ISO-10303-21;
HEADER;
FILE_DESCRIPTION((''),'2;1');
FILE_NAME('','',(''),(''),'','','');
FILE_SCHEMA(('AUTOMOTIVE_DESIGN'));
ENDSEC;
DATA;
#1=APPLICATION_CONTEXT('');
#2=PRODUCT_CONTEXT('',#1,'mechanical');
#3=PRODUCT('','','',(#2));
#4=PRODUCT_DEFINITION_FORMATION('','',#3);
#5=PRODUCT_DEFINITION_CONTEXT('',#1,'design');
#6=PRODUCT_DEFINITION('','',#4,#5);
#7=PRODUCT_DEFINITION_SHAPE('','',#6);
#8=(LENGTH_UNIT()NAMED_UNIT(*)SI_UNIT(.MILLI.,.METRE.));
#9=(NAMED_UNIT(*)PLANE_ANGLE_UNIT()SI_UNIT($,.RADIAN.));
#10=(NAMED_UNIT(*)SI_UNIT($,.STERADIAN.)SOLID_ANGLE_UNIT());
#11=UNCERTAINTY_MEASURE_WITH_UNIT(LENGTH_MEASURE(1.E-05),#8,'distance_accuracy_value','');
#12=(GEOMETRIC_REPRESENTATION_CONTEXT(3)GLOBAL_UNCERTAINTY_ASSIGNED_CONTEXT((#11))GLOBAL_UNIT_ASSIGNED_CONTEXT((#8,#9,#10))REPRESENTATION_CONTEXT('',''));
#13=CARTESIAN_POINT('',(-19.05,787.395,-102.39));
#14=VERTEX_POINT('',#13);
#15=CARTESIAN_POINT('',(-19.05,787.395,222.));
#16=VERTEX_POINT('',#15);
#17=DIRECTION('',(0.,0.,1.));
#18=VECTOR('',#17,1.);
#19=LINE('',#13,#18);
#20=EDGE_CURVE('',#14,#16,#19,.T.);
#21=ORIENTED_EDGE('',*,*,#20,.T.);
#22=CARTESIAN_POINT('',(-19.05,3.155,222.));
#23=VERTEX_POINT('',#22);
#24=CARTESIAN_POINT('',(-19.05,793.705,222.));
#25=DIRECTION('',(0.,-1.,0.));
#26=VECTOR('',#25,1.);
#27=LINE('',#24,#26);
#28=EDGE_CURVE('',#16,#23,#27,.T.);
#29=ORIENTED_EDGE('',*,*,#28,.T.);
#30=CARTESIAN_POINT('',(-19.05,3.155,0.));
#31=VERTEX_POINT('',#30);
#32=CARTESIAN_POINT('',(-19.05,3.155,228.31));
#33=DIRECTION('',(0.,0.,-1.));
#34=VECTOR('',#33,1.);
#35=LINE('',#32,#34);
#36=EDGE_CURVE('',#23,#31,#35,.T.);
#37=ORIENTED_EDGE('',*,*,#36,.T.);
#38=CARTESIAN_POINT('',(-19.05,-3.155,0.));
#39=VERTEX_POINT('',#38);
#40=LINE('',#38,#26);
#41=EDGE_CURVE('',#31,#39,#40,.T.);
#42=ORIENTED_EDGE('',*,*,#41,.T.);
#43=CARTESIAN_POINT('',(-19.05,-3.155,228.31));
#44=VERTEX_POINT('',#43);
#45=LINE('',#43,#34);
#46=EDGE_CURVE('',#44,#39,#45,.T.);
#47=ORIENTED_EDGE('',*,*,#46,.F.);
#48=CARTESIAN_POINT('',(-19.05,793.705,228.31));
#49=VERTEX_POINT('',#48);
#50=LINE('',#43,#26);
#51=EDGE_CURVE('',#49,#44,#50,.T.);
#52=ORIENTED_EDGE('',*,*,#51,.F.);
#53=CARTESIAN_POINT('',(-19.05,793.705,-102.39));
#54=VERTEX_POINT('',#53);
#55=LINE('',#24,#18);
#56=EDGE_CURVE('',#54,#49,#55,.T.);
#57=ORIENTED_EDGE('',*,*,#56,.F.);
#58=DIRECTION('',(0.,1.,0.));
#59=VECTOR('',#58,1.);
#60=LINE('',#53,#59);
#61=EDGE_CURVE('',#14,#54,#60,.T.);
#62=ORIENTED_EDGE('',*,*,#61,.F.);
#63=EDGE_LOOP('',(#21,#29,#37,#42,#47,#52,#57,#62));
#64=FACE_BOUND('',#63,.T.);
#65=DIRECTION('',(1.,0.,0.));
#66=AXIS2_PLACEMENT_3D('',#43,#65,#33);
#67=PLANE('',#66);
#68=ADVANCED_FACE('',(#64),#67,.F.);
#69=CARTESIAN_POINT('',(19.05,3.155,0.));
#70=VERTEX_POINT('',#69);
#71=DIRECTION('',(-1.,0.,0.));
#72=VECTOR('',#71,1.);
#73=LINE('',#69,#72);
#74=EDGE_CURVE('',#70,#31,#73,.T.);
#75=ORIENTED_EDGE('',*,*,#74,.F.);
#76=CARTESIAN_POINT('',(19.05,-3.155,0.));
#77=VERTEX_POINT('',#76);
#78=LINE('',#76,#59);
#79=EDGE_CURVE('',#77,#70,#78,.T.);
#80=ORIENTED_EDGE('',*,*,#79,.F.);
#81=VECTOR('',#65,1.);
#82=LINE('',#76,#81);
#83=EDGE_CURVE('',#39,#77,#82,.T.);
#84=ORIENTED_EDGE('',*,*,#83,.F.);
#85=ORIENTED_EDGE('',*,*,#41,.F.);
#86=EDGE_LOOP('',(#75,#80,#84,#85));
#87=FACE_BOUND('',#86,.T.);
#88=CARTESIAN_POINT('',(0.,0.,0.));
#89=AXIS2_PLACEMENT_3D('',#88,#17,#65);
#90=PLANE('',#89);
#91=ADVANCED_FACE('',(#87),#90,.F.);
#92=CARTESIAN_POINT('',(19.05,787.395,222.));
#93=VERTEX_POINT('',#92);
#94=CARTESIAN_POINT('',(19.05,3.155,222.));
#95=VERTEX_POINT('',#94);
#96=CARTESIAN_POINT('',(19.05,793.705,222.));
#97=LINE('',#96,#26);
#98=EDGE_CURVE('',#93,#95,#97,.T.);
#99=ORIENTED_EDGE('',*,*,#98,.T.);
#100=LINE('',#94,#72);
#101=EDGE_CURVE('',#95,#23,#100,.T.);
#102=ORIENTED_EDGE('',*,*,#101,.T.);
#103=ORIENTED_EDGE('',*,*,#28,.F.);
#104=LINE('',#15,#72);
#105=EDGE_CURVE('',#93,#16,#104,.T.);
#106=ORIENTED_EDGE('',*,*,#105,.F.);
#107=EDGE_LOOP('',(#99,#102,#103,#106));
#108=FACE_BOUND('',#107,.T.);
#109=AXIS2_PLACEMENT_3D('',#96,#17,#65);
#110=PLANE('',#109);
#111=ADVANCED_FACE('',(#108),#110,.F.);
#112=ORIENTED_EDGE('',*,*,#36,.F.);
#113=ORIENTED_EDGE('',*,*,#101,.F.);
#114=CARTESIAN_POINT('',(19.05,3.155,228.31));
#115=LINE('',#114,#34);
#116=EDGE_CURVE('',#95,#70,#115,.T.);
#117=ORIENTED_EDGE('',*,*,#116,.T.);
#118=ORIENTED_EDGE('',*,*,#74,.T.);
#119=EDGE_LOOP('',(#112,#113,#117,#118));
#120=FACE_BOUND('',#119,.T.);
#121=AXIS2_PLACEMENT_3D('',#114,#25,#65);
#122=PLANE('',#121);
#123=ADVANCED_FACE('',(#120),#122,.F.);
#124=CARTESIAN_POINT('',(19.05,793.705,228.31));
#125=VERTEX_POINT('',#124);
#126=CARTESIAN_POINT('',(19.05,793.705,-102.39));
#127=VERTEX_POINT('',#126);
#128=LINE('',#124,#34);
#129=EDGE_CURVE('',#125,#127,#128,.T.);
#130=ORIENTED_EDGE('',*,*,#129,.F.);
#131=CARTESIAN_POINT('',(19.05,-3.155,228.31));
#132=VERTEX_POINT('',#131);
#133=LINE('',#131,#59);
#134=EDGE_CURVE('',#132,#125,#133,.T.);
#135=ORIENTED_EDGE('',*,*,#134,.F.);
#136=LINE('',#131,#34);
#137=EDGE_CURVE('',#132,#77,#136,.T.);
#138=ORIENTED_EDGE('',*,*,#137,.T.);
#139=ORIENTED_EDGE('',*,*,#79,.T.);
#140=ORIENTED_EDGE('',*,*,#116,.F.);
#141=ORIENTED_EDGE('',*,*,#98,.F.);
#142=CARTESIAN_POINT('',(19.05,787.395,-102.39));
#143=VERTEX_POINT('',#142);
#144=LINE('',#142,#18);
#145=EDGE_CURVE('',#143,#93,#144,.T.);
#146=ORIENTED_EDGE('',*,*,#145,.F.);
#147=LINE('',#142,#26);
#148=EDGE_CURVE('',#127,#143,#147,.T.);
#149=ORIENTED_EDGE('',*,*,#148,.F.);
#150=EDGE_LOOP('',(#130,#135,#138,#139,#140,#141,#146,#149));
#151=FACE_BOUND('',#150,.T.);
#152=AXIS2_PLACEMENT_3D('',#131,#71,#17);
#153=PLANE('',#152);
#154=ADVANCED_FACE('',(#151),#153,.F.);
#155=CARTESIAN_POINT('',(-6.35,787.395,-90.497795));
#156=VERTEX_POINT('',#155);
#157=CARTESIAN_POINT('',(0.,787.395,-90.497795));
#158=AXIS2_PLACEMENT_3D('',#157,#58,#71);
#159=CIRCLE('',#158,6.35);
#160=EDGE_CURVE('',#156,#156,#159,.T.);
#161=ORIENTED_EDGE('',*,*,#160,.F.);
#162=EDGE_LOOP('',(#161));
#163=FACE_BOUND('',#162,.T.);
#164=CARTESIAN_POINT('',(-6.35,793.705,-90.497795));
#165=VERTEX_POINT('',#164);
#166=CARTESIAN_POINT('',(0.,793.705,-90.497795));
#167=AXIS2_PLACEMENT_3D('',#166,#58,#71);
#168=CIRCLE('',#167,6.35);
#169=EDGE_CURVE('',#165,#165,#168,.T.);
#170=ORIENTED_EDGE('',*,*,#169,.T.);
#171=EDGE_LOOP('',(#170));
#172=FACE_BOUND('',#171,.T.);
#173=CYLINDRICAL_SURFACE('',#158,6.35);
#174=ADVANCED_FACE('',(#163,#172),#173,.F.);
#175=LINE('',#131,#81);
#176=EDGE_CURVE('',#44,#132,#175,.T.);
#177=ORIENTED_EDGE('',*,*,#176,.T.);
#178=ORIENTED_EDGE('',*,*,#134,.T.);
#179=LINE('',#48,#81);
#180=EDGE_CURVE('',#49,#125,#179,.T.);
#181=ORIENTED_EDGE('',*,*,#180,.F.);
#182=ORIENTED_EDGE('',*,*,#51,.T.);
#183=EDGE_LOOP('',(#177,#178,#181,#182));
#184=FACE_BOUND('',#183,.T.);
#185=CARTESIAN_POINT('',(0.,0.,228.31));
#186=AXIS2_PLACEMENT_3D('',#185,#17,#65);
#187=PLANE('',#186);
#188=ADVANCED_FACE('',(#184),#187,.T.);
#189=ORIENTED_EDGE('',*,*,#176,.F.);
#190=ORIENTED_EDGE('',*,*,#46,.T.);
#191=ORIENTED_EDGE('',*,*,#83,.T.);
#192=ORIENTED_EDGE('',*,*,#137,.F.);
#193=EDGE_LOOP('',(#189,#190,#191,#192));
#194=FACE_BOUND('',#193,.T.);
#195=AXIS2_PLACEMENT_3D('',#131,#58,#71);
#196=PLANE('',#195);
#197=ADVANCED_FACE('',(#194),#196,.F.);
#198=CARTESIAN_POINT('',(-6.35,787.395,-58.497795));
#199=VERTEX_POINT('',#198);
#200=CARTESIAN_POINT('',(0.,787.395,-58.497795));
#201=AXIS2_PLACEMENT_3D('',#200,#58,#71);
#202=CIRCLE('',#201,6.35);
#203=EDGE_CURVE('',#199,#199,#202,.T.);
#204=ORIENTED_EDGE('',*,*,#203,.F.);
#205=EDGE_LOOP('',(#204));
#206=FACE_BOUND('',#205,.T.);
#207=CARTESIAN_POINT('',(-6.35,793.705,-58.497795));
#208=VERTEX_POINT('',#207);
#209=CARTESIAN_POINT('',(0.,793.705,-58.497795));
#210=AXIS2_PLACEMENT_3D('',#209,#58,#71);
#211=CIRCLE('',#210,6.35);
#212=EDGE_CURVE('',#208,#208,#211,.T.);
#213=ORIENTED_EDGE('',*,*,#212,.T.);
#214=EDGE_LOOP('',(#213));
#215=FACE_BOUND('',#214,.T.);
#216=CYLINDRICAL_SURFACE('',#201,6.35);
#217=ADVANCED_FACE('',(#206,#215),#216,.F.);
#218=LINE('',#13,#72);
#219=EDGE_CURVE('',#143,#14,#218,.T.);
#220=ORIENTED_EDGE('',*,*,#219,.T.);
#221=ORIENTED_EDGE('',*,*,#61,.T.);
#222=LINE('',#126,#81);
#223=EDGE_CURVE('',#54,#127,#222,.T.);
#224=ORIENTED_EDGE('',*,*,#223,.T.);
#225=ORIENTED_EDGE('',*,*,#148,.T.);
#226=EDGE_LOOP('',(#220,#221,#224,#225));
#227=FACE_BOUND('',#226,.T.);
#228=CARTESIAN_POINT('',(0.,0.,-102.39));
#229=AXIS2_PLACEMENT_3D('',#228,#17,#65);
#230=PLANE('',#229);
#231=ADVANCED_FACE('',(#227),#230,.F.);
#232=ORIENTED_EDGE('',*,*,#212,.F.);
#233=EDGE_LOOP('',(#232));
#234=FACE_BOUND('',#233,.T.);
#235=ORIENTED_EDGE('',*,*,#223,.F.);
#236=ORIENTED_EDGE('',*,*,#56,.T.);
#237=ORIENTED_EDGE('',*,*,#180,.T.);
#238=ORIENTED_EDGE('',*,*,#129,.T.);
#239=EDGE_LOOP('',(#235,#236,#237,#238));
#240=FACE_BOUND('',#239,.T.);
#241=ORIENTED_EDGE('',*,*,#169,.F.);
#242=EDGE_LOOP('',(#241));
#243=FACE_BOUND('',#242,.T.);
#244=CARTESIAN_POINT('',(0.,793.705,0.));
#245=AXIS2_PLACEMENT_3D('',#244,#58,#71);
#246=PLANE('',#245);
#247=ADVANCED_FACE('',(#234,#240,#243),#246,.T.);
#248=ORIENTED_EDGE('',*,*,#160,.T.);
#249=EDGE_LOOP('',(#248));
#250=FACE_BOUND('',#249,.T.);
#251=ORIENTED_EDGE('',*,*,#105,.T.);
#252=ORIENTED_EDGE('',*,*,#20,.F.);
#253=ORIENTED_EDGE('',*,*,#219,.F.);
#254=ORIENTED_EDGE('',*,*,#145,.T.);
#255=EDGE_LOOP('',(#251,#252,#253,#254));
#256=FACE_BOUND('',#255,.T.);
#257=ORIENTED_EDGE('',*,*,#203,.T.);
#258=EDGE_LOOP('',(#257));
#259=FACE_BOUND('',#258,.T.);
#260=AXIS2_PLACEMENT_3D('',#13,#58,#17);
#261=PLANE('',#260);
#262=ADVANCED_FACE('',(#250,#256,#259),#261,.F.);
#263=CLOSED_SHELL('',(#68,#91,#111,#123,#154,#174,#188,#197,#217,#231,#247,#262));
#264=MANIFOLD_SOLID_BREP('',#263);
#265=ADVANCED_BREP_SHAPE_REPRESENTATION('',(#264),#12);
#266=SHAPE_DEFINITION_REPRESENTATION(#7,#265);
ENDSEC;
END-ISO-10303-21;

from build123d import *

# Parameters (mm, degrees)
CROQUIS1_W              = 38.1
CROQUIS1_H              = 6.31
SALIENTE_EXTRUIR1_DEPTH = 228.31
CROQUIS2_W              = 38.1
CROQUIS2_H              = 6.31
SALIENTE_EXTRUIR2_DEPTH = 790.55
CROQUIS3_W              = 38.1
CROQUIS3_H              = 6.31
SALIENTE_EXTRUIR3_DEPTH = 324.39
CROQUIS4_R              = 6.35
CORTAR_EXTRUIR1_DEPTH   = 6.31


with BuildPart() as part:
    # Croquis1 → Saliente-Extruir1 (new body)
    with BuildSketch(Plane.XY):
        Rectangle(CROQUIS1_W, CROQUIS1_H)
    extrude(amount=SALIENTE_EXTRUIR1_DEPTH)

    # Croquis2 → Saliente-Extruir2 (add)
    with BuildSketch(Plane(origin=(0, 3.155, 0), x_dir=(1, 0, 0), z_dir=(0, 1, 0))):
        with Locations((0, -225.155)):
            Rectangle(CROQUIS2_W, CROQUIS2_H)
    extrude(amount=SALIENTE_EXTRUIR2_DEPTH)

    # Croquis3 → Saliente-Extruir3 (add)
    with BuildSketch(Plane(origin=(0, 0, 222), x_dir=(-1, 0, 0), z_dir=(0, 0, -1))):
        with Locations((0, 790.55)):
            Rectangle(CROQUIS3_W, CROQUIS3_H)
    extrude(amount=SALIENTE_EXTRUIR3_DEPTH)

    # Croquis4 → Cortar-Extruir1 (cut)
    with BuildSketch(Plane(origin=(0, 793.705, 0), x_dir=(1, 0, 0), z_dir=(0, 1, 0))):
        with Locations(Location((0, 90.497795334, 0), (0, 0, 180))):
            Circle(CROQUIS4_R)
        with Locations(Location((0, 58.497795334, 0), (0, 0, 180))):
            Circle(CROQUIS4_R)
    extrude(amount=-CORTAR_EXTRUIR1_DEPTH, mode=Mode.SUBTRACT)


solid = part.part
